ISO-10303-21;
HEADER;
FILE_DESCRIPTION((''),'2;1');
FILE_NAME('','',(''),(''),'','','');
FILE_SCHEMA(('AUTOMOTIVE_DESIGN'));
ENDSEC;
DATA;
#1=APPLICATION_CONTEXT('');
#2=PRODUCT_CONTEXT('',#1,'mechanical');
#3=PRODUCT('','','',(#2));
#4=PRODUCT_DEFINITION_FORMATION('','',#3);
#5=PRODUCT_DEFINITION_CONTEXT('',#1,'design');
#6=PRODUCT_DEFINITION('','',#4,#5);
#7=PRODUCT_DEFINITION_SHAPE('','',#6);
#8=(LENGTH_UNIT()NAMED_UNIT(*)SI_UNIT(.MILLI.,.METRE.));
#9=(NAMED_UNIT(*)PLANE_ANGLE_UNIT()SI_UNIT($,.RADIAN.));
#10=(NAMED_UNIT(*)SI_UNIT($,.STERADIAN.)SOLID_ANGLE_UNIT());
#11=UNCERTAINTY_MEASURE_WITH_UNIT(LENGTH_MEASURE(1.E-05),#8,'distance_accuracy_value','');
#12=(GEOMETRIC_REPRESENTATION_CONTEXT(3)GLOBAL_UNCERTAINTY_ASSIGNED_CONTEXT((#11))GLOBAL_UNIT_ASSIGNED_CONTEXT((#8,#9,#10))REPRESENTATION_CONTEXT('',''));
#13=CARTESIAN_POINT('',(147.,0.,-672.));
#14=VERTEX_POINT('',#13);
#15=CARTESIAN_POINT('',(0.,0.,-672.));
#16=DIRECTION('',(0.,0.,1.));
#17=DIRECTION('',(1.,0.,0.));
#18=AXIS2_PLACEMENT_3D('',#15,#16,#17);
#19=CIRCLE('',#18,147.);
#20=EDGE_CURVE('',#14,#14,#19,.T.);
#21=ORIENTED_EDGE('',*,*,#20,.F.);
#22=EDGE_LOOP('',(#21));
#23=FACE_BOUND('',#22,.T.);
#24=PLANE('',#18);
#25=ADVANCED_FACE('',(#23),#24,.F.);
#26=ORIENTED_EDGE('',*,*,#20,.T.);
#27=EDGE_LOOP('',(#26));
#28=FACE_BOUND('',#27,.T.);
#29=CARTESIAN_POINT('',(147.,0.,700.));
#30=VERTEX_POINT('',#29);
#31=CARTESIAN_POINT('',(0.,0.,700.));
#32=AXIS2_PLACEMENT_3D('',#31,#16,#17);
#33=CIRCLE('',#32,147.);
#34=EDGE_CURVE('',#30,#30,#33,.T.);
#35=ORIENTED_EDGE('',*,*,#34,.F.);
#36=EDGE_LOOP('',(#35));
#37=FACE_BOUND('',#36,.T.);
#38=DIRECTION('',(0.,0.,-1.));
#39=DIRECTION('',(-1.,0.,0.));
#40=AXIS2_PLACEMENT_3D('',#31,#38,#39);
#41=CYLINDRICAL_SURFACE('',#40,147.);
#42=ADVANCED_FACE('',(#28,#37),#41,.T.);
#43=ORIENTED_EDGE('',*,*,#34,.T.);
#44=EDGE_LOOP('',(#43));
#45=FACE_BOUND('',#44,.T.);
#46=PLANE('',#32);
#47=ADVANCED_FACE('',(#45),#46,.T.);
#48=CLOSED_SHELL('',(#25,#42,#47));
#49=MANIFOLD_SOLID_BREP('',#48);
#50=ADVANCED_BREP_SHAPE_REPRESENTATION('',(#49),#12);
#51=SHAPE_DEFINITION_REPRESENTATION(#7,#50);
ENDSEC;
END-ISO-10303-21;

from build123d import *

# Parameters (mm, degrees)
CROQUIS5_R              = 3
SALIENTE_EXTRUIR5_DEPTH = 28
ESCALA1_SCALE           = 7
ESCALA2_SCALE           = 7


with BuildPart() as part:
    # Croquis5 → Saliente-Extruir5 (new body)
    with BuildSketch(Plane.XY):
        Circle(CROQUIS5_R)
    extrude(amount=SALIENTE_EXTRUIR5_DEPTH)


with BuildPart() as part_1:
    # Escala1: scaled about (0, 0, 14)
    add(part.part.scale(ESCALA1_SCALE).moved(Location((0, 0, -84))))


with BuildPart() as part_2:
    # Escala2: scaled about (0, 0, 14)
    add(part_1.part.scale(ESCALA2_SCALE).moved(Location((0, 0, -84))))


solid = part_2.part
